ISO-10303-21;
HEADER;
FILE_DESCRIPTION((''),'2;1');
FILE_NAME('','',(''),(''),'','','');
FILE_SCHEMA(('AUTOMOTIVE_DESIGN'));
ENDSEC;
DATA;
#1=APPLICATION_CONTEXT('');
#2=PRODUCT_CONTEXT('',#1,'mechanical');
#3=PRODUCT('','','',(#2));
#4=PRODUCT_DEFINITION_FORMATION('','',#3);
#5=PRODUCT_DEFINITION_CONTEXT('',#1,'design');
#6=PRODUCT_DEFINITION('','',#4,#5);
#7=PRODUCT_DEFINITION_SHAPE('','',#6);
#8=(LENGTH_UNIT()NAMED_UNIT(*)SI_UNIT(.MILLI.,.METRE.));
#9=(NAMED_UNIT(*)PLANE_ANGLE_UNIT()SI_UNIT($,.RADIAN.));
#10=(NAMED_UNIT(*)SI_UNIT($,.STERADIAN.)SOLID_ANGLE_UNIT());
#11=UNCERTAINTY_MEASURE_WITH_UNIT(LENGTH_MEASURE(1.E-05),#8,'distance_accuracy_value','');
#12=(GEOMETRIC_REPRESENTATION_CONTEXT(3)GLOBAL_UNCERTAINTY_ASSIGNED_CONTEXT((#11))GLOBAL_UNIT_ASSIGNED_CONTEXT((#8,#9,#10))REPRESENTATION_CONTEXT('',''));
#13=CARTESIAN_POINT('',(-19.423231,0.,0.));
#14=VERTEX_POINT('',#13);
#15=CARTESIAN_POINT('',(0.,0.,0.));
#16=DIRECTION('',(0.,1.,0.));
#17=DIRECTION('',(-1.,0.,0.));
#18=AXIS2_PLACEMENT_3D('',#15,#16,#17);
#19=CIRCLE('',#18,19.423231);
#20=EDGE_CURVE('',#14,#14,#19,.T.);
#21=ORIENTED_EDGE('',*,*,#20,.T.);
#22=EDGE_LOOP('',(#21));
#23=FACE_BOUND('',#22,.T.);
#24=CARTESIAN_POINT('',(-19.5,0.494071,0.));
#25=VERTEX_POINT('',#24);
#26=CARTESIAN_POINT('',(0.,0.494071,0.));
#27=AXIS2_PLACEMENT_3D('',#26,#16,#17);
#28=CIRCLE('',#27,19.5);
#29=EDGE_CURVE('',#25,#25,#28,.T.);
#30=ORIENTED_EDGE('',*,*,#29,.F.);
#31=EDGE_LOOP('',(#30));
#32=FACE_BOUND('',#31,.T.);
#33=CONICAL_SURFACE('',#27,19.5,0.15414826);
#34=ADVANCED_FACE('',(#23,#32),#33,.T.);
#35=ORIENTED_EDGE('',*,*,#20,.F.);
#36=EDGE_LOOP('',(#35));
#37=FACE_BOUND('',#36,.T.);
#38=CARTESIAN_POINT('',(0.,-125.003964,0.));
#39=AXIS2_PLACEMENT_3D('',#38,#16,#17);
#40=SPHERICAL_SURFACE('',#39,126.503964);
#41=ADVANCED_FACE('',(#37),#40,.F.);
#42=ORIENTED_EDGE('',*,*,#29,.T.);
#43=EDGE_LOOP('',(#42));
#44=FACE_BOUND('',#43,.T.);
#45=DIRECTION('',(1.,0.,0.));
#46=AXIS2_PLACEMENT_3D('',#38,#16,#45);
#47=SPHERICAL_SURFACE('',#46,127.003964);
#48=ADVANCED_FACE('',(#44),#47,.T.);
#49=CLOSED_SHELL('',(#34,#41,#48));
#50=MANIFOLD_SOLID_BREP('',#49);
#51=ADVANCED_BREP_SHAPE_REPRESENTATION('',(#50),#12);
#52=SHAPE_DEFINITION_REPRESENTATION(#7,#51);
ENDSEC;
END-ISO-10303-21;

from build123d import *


with BuildPart() as part:
    # Esquisse1 → Révolution1 (revolve)
    with BuildSketch(Plane.XY):
        with BuildLine():
            Line((-19.5, 0.494071332), (-19.423230743, 0))
            ThreePointArc((-19.423230743, 0), (-9.740532487, 1.124442534), (0, 1.5))
            Line((0, 1.5), (0, 2))
            ThreePointArc((0, 2), (-9.779031408, 1.622958163), (-19.5, 0.494071332))
        make_face()
    revolve(axis=Axis((0, 2, 0), (0, -1, 0)))


solid = part.part
